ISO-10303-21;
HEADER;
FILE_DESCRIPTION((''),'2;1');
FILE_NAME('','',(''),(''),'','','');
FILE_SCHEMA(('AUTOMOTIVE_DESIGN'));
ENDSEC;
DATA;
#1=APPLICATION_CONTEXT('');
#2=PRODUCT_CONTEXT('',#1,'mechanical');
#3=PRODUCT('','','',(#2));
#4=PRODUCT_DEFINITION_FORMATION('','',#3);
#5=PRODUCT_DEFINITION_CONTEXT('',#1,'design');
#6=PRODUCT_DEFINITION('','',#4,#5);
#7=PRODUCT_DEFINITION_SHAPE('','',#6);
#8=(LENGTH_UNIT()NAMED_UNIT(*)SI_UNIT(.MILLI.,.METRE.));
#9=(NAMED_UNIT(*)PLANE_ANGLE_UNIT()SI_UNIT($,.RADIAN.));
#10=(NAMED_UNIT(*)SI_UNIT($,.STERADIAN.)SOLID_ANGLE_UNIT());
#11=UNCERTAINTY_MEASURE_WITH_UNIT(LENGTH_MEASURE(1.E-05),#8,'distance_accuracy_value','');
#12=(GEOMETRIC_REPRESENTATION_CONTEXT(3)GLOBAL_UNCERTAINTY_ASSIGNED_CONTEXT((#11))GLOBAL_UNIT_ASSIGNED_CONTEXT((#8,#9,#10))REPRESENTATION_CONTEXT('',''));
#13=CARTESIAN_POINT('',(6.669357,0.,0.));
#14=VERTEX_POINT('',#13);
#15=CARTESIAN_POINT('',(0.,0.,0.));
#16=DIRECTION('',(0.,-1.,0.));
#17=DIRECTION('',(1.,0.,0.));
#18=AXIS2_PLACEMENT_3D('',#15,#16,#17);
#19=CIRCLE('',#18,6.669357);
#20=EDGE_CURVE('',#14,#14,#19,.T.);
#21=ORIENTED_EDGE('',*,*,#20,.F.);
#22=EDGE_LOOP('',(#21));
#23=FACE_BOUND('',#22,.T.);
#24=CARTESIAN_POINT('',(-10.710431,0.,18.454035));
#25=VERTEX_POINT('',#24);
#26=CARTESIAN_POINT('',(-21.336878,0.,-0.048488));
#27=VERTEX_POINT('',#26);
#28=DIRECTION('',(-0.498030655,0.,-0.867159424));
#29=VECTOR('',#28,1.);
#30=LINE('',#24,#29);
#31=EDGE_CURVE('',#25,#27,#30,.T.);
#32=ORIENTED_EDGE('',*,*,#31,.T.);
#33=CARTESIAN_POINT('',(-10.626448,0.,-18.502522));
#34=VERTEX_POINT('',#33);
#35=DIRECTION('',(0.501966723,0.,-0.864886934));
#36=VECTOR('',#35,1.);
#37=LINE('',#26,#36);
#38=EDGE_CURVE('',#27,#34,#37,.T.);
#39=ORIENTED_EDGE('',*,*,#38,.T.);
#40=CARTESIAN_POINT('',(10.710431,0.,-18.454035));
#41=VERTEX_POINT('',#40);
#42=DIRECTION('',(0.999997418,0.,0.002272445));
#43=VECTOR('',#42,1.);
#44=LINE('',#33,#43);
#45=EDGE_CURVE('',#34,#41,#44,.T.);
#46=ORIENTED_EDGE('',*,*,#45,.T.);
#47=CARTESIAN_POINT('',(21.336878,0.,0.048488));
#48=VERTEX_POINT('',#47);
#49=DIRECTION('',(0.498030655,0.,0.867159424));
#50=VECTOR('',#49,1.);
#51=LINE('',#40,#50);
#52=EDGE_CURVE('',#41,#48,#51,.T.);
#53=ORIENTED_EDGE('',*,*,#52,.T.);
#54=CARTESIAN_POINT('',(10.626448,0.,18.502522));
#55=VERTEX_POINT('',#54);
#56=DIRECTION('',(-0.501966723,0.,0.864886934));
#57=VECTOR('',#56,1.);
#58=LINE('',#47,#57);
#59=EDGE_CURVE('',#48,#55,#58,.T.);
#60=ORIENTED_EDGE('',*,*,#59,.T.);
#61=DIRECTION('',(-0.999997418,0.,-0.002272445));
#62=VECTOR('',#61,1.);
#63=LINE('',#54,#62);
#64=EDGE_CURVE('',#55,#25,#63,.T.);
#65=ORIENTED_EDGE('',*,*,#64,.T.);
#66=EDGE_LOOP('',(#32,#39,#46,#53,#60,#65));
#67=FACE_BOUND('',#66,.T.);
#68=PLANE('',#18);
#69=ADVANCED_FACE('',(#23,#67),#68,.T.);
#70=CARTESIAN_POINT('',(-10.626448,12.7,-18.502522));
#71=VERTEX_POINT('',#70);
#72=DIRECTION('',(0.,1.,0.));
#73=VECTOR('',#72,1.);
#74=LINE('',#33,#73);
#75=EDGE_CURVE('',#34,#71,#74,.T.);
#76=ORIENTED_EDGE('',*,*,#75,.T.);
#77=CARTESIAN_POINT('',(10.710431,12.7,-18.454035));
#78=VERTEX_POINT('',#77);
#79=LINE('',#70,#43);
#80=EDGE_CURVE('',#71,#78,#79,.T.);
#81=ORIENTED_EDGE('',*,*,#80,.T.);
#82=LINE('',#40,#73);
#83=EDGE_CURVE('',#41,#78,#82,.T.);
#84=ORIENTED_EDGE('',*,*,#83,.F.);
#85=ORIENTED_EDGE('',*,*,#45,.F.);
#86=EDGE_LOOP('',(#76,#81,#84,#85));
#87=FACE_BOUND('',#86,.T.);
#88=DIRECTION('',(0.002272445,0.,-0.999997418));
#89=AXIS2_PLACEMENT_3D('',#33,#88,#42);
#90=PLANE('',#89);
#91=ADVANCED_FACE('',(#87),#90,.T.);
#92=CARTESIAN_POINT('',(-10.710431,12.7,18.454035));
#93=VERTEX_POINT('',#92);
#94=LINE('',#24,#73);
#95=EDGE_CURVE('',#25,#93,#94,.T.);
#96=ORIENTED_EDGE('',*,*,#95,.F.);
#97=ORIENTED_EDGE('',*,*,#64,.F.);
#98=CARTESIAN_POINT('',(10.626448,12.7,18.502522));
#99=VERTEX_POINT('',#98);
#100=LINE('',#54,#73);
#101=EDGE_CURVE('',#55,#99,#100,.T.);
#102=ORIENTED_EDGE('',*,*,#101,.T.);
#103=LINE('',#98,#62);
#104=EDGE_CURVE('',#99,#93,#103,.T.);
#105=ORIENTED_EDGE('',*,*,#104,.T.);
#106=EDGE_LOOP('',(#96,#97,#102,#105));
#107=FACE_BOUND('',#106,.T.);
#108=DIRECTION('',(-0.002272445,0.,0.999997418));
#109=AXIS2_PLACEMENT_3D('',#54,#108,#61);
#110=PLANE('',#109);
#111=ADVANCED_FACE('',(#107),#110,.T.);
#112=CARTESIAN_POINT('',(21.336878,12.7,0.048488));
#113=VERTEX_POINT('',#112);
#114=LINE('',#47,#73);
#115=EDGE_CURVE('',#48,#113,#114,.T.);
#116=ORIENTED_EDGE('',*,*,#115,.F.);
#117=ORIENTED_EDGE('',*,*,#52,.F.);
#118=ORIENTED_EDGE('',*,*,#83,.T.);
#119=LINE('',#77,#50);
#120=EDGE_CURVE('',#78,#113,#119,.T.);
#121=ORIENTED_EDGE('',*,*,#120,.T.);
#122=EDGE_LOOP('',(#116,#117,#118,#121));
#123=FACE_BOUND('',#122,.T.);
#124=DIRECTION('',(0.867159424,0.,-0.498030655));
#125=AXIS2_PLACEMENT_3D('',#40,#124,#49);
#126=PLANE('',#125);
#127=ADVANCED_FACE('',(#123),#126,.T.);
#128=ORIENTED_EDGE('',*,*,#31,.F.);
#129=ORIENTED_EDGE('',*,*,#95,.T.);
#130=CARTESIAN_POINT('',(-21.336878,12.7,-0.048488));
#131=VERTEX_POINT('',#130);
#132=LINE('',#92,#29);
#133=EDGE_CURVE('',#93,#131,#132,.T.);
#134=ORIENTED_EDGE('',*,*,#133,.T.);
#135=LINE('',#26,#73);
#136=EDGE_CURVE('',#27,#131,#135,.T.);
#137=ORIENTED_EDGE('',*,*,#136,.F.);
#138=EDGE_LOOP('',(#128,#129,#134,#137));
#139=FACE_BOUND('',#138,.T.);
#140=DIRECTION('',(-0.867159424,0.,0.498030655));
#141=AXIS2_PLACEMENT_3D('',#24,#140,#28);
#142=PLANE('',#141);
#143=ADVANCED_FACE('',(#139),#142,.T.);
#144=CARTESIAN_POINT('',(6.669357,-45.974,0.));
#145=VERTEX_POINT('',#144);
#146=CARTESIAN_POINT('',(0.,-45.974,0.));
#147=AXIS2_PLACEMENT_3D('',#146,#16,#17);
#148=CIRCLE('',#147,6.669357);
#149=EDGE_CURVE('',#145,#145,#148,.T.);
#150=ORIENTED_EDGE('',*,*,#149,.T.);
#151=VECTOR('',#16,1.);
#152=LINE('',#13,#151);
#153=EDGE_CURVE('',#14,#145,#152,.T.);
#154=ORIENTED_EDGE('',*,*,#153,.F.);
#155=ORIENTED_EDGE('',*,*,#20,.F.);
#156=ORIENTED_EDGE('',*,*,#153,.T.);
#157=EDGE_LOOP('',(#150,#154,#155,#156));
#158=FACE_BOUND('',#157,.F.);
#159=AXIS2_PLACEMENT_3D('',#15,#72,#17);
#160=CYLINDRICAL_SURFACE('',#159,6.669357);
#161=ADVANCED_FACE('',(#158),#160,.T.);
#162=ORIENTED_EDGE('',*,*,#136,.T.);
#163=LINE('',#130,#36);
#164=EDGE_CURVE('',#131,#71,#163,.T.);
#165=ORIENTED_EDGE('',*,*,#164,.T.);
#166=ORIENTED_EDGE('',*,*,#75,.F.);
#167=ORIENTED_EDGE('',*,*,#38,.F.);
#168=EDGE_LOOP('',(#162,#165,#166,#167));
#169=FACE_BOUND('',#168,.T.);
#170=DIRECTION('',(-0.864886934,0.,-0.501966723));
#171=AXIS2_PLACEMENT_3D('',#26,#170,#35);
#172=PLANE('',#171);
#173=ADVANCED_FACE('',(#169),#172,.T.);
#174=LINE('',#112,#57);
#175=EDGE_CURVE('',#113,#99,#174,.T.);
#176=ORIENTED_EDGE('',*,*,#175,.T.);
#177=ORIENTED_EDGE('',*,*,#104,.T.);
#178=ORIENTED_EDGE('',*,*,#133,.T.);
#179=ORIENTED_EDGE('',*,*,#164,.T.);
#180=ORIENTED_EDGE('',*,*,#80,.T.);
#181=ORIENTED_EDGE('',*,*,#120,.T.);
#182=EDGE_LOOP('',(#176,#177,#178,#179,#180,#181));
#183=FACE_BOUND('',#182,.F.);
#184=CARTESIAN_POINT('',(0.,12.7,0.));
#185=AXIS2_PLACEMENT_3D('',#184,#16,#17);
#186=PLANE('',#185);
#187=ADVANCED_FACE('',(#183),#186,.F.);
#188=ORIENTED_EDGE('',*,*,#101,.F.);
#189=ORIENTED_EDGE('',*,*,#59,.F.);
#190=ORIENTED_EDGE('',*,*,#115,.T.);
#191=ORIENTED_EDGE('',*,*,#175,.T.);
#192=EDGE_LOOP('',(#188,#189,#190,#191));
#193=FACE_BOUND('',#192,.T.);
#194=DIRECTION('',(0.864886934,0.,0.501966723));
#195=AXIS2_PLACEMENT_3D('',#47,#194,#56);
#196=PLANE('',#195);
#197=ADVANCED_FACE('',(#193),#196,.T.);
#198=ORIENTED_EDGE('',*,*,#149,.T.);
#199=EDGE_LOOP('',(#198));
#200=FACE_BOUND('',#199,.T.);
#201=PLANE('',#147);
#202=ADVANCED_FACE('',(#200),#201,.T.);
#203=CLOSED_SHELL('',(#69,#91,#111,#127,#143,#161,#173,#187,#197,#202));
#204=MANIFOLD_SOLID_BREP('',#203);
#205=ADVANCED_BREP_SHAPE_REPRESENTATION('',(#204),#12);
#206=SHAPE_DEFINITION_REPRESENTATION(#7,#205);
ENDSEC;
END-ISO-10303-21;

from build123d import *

# Parameters (mm, degrees)
F1_DEPTH = 12.7
F2_R     = 6.669357
F3_DEPTH = 45.974


with BuildPart() as f1:
    # F0 (on Front) → F1 (new body)
    with BuildSketch(Plane.XZ):
        Polygon((-10.710431, 18.454035), (-21.336878, -0.048488), (-10.626448, -18.502522), (10.710431, -18.454035), (21.336878, 0.048488), (10.626448, 18.502522), align=None)
    extrude(amount=-F1_DEPTH)

    # F2 (on face) → F3 (join)
    with BuildSketch(Plane.XZ):
        Circle(F2_R)
    extrude(amount=F3_DEPTH)


solid = f1.part
